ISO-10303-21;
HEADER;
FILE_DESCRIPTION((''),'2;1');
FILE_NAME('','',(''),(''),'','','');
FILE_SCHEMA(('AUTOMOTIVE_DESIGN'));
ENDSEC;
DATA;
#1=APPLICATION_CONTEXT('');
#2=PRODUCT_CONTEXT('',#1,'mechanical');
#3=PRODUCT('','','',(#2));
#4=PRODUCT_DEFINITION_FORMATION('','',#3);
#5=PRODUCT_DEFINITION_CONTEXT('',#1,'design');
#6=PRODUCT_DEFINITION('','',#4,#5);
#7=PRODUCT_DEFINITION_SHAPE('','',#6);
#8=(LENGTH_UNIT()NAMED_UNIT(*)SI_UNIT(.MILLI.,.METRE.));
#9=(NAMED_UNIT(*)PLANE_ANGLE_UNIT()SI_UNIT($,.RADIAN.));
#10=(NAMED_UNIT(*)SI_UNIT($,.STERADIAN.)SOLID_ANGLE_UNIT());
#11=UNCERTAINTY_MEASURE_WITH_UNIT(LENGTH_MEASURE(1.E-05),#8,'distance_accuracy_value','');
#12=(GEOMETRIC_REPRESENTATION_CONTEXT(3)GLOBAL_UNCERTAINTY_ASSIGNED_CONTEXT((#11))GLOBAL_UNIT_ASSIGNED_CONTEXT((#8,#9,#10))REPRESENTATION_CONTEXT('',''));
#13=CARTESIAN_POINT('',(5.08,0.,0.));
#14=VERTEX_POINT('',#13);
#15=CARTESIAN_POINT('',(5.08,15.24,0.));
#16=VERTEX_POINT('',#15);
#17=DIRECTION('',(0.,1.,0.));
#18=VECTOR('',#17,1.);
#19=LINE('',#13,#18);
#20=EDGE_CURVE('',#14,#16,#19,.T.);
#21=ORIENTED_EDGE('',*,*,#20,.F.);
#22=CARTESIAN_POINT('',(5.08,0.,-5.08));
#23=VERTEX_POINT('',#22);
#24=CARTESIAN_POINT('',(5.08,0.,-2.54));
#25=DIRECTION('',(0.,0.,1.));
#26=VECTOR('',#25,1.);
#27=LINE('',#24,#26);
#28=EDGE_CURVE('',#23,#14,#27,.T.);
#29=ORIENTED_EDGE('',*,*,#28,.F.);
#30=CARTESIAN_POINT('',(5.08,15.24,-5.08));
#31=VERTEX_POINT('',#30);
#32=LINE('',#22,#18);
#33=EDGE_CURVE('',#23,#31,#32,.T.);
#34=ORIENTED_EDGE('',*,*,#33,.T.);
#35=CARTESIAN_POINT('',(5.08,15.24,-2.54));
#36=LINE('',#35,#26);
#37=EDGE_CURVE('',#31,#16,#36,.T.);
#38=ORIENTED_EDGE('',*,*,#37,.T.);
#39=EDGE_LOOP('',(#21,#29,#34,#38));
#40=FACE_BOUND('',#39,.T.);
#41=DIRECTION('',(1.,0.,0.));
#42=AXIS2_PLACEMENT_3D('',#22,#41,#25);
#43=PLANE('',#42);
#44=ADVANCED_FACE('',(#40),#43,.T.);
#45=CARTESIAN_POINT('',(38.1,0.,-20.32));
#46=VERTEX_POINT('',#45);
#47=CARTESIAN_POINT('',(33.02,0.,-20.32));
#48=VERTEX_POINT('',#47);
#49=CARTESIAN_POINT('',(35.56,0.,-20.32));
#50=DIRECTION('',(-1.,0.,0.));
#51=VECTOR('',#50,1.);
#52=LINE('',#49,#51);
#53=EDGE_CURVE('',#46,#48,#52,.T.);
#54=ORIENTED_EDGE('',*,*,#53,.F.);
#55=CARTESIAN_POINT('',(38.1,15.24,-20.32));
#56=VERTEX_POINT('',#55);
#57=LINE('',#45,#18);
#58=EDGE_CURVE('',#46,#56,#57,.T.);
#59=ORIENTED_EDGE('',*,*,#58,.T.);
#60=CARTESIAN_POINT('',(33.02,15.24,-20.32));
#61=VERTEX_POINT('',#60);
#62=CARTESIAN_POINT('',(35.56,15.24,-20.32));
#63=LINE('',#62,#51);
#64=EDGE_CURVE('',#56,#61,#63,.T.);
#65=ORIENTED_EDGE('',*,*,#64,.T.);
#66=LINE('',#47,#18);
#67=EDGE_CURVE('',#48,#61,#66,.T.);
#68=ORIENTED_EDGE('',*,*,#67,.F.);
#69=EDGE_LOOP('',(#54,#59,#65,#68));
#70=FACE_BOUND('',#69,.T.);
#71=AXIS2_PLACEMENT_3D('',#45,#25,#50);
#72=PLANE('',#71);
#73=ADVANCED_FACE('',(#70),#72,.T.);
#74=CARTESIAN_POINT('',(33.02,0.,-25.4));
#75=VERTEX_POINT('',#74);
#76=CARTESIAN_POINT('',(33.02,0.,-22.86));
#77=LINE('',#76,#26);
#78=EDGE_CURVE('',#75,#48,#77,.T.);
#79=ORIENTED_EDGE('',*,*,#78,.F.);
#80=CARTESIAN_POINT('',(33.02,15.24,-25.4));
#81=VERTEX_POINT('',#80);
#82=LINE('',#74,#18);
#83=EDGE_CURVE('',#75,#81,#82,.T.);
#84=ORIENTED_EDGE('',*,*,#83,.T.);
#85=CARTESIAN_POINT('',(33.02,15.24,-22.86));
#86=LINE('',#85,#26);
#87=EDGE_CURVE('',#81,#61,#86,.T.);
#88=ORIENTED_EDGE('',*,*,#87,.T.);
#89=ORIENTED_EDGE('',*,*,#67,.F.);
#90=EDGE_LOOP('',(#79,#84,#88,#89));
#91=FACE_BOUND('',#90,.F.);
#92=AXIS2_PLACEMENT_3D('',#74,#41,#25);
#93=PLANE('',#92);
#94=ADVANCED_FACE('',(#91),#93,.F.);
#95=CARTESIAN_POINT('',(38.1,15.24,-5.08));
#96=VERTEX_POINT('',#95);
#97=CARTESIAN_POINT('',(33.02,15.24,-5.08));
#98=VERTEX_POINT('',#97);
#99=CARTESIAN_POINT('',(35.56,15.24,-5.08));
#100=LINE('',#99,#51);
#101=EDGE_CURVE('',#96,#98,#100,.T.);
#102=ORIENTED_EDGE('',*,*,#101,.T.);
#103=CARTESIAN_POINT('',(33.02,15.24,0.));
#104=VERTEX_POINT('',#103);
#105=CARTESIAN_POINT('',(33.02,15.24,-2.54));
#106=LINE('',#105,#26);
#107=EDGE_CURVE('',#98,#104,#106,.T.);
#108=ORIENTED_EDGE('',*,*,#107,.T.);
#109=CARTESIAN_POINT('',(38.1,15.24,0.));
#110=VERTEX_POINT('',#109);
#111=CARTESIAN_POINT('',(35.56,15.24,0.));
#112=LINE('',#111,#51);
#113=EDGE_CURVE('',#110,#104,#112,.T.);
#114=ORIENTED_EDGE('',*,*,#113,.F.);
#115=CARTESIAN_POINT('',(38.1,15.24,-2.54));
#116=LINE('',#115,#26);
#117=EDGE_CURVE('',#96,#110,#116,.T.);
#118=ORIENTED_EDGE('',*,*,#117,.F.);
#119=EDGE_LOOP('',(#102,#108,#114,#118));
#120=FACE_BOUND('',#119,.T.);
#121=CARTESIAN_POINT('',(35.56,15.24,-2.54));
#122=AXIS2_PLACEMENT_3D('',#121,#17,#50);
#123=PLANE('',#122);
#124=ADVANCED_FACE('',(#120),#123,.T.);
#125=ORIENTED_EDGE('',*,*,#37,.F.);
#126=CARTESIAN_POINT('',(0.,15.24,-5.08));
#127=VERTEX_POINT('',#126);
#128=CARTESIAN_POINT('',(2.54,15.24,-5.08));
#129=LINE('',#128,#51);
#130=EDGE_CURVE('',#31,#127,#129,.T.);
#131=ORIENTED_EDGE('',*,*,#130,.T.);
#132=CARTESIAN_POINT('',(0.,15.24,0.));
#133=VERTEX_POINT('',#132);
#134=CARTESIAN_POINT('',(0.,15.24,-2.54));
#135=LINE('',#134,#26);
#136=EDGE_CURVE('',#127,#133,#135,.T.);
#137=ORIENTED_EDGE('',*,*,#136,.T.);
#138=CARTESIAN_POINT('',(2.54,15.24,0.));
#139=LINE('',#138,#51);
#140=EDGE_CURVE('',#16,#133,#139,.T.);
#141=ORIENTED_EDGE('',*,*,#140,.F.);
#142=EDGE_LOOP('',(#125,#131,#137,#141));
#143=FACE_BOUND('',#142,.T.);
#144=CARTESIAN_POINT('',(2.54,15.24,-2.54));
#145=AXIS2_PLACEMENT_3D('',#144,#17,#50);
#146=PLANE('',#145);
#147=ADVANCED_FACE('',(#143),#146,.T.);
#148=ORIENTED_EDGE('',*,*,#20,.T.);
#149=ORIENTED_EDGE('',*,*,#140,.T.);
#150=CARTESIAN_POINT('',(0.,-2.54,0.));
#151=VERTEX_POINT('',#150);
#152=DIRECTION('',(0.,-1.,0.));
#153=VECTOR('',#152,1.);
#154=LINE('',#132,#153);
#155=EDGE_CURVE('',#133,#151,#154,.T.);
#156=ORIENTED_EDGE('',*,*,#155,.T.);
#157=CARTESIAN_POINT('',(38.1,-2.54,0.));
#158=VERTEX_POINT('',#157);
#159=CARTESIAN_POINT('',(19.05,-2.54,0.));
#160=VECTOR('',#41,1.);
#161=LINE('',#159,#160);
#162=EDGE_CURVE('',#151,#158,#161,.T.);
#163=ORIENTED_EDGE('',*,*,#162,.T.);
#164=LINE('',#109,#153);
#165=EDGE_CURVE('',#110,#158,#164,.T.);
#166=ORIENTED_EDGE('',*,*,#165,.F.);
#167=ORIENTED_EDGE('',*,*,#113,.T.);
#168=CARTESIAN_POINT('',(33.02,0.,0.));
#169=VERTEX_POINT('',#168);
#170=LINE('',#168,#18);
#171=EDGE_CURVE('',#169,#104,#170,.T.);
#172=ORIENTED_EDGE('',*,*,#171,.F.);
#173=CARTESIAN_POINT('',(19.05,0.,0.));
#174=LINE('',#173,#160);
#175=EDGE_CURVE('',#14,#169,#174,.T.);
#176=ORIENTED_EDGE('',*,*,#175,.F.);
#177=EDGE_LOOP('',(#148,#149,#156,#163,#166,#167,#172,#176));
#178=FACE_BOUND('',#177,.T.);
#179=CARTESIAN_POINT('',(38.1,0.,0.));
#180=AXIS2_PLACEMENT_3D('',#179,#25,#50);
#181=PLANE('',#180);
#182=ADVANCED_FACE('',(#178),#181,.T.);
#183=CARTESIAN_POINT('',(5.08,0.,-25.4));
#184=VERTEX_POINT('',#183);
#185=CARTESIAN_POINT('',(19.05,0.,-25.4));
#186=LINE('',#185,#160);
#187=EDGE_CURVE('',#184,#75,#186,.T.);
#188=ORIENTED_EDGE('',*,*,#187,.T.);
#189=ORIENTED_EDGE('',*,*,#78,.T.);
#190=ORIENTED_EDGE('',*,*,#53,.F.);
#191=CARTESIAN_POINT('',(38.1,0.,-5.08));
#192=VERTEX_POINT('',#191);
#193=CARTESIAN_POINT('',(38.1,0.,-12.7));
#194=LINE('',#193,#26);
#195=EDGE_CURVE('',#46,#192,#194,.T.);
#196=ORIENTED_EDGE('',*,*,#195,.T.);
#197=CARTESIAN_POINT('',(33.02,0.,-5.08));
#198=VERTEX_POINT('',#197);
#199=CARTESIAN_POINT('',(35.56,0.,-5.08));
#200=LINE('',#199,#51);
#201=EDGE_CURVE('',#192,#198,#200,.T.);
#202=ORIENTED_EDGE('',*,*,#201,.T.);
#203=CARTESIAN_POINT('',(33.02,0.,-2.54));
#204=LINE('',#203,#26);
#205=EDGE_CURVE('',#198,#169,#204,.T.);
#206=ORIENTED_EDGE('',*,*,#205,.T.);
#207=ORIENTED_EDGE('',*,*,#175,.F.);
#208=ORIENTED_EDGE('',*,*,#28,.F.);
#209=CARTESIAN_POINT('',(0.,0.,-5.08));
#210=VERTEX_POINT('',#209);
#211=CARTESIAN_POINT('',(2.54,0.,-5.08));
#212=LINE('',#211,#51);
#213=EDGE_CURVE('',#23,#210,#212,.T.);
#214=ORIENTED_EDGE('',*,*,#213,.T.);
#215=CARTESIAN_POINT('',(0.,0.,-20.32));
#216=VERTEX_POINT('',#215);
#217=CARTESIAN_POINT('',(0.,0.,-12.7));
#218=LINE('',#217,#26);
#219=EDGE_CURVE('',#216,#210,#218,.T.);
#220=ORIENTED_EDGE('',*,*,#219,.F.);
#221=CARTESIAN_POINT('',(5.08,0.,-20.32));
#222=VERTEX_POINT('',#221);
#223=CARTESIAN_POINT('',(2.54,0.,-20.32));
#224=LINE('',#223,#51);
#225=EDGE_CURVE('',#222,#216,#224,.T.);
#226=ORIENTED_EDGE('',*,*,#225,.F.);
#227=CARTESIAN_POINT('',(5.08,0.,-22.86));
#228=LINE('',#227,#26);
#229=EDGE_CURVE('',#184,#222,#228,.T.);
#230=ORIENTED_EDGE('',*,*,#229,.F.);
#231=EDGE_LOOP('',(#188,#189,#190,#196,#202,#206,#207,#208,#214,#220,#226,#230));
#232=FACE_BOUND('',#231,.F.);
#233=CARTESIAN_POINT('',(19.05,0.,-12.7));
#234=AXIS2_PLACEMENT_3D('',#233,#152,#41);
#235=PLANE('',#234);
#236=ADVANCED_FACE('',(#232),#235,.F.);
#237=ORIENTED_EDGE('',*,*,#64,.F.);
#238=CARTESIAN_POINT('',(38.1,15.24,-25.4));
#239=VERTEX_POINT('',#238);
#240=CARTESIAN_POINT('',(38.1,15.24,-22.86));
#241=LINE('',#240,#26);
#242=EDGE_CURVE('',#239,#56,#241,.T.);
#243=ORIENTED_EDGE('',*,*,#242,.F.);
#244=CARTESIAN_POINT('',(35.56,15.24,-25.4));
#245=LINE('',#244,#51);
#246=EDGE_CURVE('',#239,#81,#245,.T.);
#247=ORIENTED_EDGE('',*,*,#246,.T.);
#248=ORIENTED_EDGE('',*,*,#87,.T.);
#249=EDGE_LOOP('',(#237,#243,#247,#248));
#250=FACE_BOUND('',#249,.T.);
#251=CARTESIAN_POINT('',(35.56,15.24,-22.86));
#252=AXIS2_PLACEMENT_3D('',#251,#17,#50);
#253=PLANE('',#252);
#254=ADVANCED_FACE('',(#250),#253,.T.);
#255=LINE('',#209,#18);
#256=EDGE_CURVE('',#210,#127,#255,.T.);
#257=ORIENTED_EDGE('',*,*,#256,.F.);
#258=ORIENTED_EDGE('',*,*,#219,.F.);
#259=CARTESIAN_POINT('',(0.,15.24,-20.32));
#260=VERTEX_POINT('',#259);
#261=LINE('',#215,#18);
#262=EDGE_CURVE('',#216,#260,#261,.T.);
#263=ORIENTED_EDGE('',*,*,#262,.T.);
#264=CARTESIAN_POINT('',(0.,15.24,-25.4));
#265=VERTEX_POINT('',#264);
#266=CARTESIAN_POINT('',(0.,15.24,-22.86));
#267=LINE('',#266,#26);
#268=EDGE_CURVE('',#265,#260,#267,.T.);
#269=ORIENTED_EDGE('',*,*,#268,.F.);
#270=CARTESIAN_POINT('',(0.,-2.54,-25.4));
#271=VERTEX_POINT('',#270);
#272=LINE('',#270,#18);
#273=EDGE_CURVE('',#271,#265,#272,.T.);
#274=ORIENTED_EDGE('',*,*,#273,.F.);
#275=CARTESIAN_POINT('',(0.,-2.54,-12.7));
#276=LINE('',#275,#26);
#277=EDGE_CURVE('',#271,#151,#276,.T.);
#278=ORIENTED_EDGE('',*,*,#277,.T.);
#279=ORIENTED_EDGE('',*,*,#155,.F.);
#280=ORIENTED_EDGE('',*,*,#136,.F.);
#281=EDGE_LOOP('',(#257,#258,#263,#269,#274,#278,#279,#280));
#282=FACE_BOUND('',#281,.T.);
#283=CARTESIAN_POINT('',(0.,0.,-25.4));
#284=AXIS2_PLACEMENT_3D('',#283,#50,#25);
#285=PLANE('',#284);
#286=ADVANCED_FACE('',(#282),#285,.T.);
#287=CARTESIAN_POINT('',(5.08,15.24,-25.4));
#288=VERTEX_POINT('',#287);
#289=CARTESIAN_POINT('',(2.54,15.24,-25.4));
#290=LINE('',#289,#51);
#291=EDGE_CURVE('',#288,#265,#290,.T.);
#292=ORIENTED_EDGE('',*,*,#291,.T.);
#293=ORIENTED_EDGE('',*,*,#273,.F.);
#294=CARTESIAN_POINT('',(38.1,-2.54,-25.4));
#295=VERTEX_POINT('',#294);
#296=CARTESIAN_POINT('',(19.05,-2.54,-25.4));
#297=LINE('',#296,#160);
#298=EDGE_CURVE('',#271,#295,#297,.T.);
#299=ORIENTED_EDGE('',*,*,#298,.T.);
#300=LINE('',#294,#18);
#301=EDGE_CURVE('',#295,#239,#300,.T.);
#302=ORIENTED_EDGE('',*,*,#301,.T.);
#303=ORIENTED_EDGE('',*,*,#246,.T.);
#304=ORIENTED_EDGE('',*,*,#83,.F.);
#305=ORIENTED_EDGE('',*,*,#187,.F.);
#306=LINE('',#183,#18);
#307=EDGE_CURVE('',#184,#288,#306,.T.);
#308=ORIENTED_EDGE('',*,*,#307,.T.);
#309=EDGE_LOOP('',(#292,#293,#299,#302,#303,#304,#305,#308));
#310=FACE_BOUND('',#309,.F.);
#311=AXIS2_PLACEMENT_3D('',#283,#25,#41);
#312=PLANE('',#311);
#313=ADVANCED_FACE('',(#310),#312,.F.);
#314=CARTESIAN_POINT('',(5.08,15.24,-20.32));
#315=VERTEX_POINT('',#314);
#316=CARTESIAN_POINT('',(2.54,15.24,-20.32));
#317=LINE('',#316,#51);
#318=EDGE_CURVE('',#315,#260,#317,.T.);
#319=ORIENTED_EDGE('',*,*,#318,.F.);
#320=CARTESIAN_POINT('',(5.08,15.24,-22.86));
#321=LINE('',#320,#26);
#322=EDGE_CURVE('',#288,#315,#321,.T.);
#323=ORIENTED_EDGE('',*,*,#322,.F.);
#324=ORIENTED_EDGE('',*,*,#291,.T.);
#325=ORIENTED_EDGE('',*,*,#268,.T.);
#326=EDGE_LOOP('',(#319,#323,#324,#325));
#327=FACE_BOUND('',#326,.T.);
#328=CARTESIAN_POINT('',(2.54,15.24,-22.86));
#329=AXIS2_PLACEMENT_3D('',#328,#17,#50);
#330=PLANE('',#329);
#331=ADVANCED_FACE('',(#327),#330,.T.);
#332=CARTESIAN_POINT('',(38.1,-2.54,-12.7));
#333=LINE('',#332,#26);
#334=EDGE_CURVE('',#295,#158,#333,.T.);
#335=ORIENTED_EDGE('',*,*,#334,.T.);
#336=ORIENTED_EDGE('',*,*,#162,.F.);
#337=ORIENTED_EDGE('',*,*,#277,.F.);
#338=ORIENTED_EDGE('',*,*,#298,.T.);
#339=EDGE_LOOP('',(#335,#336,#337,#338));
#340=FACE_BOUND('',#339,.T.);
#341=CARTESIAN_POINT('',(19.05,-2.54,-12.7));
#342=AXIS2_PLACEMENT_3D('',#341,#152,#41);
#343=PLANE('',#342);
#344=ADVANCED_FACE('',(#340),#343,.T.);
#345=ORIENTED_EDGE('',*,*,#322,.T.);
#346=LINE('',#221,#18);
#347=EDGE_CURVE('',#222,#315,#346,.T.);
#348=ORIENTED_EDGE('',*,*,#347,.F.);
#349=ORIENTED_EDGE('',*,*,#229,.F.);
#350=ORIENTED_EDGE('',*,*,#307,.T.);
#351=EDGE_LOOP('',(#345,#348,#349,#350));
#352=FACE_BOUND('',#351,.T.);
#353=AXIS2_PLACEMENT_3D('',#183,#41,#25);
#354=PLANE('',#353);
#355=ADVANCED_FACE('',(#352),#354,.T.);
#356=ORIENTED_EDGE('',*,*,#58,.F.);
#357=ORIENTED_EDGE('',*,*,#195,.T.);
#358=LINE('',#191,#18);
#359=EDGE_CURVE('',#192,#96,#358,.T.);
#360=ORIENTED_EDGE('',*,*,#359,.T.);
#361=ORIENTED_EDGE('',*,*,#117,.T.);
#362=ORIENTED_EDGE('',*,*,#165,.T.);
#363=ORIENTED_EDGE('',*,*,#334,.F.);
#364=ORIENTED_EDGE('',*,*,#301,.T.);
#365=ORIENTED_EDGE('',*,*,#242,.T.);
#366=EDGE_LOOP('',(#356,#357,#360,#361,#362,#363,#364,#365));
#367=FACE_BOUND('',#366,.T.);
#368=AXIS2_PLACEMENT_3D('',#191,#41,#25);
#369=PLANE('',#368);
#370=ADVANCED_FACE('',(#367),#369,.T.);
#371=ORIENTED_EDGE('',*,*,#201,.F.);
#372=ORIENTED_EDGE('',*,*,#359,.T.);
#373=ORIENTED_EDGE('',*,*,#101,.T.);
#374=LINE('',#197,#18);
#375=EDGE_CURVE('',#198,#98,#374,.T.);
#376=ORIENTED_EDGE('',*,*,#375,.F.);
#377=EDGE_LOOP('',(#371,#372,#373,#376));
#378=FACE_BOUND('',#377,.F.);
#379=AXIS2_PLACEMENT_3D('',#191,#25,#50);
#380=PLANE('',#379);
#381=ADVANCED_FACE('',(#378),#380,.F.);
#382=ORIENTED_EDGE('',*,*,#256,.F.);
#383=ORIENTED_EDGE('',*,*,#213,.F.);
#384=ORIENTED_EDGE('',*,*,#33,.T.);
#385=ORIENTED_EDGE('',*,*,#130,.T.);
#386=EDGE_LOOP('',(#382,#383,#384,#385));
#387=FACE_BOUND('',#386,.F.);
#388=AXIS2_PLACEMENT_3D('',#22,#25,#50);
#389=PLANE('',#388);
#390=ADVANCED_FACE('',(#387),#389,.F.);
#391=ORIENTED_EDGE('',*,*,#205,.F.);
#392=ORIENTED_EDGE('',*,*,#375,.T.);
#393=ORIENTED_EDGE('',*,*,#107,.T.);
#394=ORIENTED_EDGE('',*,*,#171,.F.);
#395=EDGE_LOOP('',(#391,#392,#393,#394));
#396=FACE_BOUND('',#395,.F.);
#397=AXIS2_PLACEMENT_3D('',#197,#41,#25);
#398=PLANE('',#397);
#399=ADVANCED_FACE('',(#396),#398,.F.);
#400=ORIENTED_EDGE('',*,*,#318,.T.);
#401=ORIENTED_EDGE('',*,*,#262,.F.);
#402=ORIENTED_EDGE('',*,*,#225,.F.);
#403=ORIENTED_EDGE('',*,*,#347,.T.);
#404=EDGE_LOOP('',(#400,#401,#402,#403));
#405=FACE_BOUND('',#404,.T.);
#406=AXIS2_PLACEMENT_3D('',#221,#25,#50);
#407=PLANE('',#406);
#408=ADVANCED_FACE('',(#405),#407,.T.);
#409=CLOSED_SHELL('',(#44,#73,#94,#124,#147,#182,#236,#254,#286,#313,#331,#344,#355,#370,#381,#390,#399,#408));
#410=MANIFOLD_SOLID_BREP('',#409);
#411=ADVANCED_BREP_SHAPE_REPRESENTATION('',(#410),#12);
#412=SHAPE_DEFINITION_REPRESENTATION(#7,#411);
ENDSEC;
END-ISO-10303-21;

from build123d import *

# Parameters (mm, degrees)
F0_W     = 38.1
F0_H     = 25.4
F1_DEPTH = 2.54
F2_W     = 5.08
F2_H     = 5.08
F3_DEPTH = 15.24


with BuildPart() as f1:
    # F0 (on Front) → F1 (new body)
    with BuildSketch(Plane.XZ):
        with Locations((19.05, -12.7)):
            Rectangle(F0_W, F0_H)
    extrude(amount=F1_DEPTH)

    # F2 (on face) → F3 (join)
    with BuildSketch(Plane(origin=(0, 0, 0), x_dir=(-1, 0, 0), z_dir=(0, 1, 0))):
        with Locations((-35.56, -2.54)):
            Rectangle(F2_W, F2_H)
        with Locations((-35.56, -22.86)):
            Rectangle(F2_W, F2_H)
        with Locations((-2.54, -2.54)):
            Rectangle(F2_W, F2_H)
        with Locations((-2.54, -22.86)):
            Rectangle(F2_W, F2_H)
    extrude(amount=F3_DEPTH)


solid = f1.part
